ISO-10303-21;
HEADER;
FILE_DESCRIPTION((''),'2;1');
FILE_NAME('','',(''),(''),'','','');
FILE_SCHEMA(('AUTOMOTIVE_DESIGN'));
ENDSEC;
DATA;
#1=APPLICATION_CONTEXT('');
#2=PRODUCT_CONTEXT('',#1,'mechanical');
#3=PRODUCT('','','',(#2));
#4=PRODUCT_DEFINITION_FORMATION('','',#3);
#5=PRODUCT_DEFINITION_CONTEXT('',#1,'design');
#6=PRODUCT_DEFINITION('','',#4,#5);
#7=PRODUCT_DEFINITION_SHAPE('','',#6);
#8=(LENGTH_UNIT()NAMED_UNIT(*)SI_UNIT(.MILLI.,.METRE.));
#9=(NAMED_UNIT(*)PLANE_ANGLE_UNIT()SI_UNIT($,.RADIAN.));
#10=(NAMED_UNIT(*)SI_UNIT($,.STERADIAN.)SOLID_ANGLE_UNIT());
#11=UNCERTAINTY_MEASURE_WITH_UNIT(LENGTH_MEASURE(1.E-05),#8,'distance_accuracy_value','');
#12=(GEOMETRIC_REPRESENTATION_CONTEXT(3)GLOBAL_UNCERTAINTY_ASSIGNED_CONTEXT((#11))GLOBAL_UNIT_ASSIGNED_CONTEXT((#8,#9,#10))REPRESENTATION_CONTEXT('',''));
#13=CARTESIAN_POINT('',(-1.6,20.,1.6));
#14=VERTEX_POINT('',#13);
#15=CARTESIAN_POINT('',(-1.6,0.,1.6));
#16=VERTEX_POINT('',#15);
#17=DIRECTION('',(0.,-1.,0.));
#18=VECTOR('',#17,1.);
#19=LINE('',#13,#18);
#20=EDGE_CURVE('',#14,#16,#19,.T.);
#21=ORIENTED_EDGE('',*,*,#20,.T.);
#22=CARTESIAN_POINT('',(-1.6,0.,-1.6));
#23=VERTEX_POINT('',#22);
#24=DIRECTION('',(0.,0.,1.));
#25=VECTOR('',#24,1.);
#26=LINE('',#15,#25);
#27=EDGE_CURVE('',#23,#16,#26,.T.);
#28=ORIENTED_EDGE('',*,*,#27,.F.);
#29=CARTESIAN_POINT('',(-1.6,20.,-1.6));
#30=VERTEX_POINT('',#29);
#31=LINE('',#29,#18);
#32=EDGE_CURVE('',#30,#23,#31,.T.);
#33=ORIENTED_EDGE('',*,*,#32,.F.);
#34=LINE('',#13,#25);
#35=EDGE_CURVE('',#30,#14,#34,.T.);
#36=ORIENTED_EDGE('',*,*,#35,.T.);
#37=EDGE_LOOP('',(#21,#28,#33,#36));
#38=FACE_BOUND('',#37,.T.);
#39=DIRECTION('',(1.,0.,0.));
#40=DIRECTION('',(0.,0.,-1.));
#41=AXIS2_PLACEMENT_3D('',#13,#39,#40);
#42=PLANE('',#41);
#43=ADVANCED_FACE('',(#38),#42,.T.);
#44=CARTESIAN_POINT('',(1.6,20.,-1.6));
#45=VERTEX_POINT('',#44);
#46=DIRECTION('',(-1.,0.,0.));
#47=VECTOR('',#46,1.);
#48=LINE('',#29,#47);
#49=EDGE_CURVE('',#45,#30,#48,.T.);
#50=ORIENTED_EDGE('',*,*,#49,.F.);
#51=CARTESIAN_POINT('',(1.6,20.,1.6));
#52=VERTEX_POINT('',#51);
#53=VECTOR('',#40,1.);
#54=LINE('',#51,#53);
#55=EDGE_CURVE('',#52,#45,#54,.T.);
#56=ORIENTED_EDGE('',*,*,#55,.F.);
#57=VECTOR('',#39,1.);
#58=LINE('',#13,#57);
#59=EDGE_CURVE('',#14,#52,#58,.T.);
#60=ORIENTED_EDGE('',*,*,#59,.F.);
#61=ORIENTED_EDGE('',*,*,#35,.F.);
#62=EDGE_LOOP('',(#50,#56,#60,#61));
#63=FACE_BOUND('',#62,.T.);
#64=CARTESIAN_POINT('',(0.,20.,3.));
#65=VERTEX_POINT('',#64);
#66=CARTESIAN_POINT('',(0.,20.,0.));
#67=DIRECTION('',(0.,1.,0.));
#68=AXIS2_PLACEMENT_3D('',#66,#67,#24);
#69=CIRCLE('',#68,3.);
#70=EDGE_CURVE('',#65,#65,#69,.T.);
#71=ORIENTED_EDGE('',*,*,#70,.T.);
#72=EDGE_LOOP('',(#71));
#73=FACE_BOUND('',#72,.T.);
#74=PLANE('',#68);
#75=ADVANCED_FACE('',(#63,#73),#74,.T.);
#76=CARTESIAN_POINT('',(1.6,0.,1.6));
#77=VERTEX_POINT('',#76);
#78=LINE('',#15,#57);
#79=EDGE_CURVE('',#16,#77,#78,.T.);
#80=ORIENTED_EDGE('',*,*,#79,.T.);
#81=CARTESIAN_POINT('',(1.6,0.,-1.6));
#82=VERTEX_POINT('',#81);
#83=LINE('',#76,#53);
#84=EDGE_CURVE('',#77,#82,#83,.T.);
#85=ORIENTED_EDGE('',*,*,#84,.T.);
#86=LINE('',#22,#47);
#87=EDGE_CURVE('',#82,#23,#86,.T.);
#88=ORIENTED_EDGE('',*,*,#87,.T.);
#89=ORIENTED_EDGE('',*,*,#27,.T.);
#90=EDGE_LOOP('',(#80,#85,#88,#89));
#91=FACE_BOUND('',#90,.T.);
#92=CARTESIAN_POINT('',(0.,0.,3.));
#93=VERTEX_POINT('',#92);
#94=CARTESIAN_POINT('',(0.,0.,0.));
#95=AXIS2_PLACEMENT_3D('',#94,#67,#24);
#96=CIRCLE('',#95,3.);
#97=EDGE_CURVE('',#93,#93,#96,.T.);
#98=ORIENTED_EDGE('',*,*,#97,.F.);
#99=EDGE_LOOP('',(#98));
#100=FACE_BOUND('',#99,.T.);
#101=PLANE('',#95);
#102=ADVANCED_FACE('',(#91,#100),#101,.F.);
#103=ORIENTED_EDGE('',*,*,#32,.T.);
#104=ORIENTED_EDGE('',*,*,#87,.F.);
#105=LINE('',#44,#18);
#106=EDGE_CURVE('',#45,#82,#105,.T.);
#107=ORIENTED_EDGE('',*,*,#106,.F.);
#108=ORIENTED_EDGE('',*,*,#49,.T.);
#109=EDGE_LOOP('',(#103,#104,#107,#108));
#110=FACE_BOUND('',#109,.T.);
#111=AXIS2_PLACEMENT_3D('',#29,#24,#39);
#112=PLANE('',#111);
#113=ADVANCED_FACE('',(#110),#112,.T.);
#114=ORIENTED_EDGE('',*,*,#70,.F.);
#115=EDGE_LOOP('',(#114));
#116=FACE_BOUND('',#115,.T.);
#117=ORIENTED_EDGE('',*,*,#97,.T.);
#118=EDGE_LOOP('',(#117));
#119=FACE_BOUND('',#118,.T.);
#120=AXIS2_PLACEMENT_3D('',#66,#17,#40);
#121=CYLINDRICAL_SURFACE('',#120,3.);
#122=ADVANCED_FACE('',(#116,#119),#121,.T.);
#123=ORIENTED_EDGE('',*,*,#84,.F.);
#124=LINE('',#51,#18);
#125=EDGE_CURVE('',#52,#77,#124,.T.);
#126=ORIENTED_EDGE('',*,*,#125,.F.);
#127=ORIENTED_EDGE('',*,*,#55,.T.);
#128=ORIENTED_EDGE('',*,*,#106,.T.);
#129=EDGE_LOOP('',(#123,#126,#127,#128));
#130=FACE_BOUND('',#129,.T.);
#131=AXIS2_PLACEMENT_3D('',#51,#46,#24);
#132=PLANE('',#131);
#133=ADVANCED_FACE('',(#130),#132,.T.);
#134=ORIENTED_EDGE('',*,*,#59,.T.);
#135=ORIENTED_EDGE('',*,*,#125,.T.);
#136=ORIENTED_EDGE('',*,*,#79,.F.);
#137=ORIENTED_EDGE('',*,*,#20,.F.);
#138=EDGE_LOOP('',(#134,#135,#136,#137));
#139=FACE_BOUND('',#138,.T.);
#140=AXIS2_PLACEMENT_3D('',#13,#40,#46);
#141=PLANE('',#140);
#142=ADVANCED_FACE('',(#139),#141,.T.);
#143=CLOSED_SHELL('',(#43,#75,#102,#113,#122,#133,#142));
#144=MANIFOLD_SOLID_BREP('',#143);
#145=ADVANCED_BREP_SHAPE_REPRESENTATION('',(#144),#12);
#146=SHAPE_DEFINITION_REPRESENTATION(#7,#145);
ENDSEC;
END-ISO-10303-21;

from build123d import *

# Parameters (mm, degrees)
ESQUISSE1_R        = 3
ESQUISSE1_W        = 3.2
ESQUISSE1_H        = 3.2
BOSS_EXTRU_1_DEPTH = 20


with BuildPart() as part:
    # Esquisse1 → Boss.-Extru.1 (new body)
    with BuildSketch(Plane(origin=(0, 0, 0), x_dir=(1, 0, 0), z_dir=(0, 1, 0))):
        Circle(ESQUISSE1_R)
        Rectangle(ESQUISSE1_W, ESQUISSE1_H, mode=Mode.SUBTRACT)
    extrude(amount=BOSS_EXTRU_1_DEPTH)


solid = part.part
